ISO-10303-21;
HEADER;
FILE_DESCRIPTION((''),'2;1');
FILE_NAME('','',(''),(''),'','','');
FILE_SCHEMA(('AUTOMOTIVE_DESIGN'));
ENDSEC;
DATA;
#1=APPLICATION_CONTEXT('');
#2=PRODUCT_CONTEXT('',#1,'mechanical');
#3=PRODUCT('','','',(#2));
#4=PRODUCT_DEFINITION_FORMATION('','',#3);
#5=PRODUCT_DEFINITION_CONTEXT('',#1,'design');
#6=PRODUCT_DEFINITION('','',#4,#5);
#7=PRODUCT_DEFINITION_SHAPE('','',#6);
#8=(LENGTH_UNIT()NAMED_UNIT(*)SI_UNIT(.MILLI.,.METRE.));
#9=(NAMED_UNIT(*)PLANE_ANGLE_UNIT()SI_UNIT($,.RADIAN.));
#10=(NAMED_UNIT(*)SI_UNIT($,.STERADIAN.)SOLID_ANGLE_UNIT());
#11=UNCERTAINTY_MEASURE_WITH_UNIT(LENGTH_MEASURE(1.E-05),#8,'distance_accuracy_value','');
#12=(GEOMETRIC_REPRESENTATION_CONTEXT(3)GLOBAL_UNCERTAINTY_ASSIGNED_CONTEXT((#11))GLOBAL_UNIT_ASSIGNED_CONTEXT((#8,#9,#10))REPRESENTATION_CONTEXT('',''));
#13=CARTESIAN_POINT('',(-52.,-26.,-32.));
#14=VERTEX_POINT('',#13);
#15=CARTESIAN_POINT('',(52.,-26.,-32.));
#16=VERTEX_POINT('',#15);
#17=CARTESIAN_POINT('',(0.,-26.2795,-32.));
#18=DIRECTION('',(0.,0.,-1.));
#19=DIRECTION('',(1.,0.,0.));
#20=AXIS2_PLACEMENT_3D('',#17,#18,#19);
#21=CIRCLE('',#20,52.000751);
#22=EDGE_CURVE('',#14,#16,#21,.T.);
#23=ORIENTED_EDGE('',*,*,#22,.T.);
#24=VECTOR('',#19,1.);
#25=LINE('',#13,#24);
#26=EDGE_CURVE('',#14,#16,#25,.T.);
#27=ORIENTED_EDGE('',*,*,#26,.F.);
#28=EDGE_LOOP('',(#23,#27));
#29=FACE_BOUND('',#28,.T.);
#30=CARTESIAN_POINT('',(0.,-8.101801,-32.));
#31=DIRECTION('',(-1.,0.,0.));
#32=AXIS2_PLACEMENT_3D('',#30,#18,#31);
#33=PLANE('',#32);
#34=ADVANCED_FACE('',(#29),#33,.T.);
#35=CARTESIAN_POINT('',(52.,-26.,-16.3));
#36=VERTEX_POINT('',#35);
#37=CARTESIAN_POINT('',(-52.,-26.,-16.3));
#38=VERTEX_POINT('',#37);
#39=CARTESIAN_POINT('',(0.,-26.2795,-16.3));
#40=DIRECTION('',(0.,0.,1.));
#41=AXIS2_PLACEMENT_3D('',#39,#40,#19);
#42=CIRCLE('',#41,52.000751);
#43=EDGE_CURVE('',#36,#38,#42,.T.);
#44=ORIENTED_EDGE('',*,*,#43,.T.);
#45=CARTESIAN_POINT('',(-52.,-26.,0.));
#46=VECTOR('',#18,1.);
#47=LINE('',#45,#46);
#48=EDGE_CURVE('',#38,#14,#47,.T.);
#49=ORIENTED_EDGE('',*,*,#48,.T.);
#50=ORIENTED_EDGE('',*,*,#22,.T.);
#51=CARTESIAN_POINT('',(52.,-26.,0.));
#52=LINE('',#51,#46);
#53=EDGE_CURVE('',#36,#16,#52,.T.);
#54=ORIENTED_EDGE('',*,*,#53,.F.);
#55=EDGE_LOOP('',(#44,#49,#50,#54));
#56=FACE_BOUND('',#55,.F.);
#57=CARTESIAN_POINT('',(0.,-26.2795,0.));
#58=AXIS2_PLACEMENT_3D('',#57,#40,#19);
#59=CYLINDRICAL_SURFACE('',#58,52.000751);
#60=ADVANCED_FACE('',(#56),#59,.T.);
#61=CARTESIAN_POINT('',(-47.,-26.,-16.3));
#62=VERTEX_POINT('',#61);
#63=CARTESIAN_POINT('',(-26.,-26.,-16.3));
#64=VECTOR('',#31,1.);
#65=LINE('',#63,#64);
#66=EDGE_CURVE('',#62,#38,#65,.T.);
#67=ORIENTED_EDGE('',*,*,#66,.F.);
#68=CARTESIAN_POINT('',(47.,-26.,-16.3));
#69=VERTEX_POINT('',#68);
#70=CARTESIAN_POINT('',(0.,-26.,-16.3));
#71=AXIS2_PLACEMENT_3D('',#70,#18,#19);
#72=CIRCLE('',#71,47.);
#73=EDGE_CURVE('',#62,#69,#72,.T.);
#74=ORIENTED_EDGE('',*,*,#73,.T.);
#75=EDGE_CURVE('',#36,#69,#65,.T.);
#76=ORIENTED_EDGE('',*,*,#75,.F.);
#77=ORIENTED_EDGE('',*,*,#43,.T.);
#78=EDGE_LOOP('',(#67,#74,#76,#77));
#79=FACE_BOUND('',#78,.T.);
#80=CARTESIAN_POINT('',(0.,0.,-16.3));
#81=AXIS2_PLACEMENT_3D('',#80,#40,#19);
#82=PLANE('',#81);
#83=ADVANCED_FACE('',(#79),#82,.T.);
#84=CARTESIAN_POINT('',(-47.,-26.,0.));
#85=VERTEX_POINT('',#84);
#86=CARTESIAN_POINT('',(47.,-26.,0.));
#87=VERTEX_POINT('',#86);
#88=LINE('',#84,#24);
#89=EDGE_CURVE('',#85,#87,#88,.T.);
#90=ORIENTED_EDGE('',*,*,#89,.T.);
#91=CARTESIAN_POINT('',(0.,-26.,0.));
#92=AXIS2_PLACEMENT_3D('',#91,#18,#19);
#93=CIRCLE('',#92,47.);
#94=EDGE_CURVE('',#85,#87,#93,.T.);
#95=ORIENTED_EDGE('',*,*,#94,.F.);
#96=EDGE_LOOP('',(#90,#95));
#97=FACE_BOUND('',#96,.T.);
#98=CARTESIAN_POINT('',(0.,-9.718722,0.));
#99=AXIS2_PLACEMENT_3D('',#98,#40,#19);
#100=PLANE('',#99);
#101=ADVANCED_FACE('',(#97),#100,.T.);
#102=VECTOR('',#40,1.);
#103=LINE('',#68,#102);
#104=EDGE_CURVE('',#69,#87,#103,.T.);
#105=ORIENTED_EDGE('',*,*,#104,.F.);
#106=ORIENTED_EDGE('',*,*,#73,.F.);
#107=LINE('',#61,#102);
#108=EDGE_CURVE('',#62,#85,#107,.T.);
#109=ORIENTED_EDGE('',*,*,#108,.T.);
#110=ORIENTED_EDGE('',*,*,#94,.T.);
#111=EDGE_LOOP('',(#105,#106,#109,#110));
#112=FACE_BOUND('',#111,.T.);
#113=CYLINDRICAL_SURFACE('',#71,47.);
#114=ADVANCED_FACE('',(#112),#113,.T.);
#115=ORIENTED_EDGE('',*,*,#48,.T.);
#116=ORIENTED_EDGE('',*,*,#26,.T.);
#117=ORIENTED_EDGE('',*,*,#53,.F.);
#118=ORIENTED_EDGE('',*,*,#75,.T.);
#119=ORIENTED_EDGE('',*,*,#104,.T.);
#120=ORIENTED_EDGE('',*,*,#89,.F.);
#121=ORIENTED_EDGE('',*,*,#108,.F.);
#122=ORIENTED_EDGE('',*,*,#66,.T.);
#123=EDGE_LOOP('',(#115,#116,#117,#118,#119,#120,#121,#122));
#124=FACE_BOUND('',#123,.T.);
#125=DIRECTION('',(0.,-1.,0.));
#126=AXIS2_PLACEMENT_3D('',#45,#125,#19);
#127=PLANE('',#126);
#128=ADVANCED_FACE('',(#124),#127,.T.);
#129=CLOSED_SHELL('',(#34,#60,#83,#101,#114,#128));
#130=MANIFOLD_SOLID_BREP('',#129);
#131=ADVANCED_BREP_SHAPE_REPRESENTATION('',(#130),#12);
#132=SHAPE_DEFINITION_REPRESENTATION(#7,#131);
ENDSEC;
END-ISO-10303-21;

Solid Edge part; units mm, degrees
sketch "Sketch1" plane through (0, 0, 0) normal (0, 0, 1) x (1, 0, 0)
  arc A0 (-52, -26) -> (52, -26) centre (0, -26.2795) cw
  line L0 (-52, -26) -> (52, -26)
extrude "Protrusion1" add sketch "Sketch1" against normal blind 32
sketch "Sketch2" plane through (0, -0.1394, 0) normal (0, 0, 1) x (1, 0, 0)
  line L0 (-55.74, -28.2911) -> (55.74, -28.2911)
  line L1 (55.74, -28.2911) -> (55.74, 28.5699)
  line L2 (55.74, 28.5699) -> (-55.74, 28.5699)
  line L3 (-55.74, 28.5699) -> (-55.74, -28.2911)
extrude "Recorte_Extrudado_2" cut sketch "Sketch2" against normal blind 16.3
sketch "Sketch3" plane through (0, -0.1394, -16.3) normal (0, 0, 1) x (1, 0, 0)
  line L0 (-47, -25.8606) -> (47, -25.8606)
  arc A0 (-47, -25.8606) -> (47, -25.8606) centre (0, -25.8606) cw
extrude "Protrusão_Extrudada_5" add sketch "Sketch3" along normal blind 16.3
